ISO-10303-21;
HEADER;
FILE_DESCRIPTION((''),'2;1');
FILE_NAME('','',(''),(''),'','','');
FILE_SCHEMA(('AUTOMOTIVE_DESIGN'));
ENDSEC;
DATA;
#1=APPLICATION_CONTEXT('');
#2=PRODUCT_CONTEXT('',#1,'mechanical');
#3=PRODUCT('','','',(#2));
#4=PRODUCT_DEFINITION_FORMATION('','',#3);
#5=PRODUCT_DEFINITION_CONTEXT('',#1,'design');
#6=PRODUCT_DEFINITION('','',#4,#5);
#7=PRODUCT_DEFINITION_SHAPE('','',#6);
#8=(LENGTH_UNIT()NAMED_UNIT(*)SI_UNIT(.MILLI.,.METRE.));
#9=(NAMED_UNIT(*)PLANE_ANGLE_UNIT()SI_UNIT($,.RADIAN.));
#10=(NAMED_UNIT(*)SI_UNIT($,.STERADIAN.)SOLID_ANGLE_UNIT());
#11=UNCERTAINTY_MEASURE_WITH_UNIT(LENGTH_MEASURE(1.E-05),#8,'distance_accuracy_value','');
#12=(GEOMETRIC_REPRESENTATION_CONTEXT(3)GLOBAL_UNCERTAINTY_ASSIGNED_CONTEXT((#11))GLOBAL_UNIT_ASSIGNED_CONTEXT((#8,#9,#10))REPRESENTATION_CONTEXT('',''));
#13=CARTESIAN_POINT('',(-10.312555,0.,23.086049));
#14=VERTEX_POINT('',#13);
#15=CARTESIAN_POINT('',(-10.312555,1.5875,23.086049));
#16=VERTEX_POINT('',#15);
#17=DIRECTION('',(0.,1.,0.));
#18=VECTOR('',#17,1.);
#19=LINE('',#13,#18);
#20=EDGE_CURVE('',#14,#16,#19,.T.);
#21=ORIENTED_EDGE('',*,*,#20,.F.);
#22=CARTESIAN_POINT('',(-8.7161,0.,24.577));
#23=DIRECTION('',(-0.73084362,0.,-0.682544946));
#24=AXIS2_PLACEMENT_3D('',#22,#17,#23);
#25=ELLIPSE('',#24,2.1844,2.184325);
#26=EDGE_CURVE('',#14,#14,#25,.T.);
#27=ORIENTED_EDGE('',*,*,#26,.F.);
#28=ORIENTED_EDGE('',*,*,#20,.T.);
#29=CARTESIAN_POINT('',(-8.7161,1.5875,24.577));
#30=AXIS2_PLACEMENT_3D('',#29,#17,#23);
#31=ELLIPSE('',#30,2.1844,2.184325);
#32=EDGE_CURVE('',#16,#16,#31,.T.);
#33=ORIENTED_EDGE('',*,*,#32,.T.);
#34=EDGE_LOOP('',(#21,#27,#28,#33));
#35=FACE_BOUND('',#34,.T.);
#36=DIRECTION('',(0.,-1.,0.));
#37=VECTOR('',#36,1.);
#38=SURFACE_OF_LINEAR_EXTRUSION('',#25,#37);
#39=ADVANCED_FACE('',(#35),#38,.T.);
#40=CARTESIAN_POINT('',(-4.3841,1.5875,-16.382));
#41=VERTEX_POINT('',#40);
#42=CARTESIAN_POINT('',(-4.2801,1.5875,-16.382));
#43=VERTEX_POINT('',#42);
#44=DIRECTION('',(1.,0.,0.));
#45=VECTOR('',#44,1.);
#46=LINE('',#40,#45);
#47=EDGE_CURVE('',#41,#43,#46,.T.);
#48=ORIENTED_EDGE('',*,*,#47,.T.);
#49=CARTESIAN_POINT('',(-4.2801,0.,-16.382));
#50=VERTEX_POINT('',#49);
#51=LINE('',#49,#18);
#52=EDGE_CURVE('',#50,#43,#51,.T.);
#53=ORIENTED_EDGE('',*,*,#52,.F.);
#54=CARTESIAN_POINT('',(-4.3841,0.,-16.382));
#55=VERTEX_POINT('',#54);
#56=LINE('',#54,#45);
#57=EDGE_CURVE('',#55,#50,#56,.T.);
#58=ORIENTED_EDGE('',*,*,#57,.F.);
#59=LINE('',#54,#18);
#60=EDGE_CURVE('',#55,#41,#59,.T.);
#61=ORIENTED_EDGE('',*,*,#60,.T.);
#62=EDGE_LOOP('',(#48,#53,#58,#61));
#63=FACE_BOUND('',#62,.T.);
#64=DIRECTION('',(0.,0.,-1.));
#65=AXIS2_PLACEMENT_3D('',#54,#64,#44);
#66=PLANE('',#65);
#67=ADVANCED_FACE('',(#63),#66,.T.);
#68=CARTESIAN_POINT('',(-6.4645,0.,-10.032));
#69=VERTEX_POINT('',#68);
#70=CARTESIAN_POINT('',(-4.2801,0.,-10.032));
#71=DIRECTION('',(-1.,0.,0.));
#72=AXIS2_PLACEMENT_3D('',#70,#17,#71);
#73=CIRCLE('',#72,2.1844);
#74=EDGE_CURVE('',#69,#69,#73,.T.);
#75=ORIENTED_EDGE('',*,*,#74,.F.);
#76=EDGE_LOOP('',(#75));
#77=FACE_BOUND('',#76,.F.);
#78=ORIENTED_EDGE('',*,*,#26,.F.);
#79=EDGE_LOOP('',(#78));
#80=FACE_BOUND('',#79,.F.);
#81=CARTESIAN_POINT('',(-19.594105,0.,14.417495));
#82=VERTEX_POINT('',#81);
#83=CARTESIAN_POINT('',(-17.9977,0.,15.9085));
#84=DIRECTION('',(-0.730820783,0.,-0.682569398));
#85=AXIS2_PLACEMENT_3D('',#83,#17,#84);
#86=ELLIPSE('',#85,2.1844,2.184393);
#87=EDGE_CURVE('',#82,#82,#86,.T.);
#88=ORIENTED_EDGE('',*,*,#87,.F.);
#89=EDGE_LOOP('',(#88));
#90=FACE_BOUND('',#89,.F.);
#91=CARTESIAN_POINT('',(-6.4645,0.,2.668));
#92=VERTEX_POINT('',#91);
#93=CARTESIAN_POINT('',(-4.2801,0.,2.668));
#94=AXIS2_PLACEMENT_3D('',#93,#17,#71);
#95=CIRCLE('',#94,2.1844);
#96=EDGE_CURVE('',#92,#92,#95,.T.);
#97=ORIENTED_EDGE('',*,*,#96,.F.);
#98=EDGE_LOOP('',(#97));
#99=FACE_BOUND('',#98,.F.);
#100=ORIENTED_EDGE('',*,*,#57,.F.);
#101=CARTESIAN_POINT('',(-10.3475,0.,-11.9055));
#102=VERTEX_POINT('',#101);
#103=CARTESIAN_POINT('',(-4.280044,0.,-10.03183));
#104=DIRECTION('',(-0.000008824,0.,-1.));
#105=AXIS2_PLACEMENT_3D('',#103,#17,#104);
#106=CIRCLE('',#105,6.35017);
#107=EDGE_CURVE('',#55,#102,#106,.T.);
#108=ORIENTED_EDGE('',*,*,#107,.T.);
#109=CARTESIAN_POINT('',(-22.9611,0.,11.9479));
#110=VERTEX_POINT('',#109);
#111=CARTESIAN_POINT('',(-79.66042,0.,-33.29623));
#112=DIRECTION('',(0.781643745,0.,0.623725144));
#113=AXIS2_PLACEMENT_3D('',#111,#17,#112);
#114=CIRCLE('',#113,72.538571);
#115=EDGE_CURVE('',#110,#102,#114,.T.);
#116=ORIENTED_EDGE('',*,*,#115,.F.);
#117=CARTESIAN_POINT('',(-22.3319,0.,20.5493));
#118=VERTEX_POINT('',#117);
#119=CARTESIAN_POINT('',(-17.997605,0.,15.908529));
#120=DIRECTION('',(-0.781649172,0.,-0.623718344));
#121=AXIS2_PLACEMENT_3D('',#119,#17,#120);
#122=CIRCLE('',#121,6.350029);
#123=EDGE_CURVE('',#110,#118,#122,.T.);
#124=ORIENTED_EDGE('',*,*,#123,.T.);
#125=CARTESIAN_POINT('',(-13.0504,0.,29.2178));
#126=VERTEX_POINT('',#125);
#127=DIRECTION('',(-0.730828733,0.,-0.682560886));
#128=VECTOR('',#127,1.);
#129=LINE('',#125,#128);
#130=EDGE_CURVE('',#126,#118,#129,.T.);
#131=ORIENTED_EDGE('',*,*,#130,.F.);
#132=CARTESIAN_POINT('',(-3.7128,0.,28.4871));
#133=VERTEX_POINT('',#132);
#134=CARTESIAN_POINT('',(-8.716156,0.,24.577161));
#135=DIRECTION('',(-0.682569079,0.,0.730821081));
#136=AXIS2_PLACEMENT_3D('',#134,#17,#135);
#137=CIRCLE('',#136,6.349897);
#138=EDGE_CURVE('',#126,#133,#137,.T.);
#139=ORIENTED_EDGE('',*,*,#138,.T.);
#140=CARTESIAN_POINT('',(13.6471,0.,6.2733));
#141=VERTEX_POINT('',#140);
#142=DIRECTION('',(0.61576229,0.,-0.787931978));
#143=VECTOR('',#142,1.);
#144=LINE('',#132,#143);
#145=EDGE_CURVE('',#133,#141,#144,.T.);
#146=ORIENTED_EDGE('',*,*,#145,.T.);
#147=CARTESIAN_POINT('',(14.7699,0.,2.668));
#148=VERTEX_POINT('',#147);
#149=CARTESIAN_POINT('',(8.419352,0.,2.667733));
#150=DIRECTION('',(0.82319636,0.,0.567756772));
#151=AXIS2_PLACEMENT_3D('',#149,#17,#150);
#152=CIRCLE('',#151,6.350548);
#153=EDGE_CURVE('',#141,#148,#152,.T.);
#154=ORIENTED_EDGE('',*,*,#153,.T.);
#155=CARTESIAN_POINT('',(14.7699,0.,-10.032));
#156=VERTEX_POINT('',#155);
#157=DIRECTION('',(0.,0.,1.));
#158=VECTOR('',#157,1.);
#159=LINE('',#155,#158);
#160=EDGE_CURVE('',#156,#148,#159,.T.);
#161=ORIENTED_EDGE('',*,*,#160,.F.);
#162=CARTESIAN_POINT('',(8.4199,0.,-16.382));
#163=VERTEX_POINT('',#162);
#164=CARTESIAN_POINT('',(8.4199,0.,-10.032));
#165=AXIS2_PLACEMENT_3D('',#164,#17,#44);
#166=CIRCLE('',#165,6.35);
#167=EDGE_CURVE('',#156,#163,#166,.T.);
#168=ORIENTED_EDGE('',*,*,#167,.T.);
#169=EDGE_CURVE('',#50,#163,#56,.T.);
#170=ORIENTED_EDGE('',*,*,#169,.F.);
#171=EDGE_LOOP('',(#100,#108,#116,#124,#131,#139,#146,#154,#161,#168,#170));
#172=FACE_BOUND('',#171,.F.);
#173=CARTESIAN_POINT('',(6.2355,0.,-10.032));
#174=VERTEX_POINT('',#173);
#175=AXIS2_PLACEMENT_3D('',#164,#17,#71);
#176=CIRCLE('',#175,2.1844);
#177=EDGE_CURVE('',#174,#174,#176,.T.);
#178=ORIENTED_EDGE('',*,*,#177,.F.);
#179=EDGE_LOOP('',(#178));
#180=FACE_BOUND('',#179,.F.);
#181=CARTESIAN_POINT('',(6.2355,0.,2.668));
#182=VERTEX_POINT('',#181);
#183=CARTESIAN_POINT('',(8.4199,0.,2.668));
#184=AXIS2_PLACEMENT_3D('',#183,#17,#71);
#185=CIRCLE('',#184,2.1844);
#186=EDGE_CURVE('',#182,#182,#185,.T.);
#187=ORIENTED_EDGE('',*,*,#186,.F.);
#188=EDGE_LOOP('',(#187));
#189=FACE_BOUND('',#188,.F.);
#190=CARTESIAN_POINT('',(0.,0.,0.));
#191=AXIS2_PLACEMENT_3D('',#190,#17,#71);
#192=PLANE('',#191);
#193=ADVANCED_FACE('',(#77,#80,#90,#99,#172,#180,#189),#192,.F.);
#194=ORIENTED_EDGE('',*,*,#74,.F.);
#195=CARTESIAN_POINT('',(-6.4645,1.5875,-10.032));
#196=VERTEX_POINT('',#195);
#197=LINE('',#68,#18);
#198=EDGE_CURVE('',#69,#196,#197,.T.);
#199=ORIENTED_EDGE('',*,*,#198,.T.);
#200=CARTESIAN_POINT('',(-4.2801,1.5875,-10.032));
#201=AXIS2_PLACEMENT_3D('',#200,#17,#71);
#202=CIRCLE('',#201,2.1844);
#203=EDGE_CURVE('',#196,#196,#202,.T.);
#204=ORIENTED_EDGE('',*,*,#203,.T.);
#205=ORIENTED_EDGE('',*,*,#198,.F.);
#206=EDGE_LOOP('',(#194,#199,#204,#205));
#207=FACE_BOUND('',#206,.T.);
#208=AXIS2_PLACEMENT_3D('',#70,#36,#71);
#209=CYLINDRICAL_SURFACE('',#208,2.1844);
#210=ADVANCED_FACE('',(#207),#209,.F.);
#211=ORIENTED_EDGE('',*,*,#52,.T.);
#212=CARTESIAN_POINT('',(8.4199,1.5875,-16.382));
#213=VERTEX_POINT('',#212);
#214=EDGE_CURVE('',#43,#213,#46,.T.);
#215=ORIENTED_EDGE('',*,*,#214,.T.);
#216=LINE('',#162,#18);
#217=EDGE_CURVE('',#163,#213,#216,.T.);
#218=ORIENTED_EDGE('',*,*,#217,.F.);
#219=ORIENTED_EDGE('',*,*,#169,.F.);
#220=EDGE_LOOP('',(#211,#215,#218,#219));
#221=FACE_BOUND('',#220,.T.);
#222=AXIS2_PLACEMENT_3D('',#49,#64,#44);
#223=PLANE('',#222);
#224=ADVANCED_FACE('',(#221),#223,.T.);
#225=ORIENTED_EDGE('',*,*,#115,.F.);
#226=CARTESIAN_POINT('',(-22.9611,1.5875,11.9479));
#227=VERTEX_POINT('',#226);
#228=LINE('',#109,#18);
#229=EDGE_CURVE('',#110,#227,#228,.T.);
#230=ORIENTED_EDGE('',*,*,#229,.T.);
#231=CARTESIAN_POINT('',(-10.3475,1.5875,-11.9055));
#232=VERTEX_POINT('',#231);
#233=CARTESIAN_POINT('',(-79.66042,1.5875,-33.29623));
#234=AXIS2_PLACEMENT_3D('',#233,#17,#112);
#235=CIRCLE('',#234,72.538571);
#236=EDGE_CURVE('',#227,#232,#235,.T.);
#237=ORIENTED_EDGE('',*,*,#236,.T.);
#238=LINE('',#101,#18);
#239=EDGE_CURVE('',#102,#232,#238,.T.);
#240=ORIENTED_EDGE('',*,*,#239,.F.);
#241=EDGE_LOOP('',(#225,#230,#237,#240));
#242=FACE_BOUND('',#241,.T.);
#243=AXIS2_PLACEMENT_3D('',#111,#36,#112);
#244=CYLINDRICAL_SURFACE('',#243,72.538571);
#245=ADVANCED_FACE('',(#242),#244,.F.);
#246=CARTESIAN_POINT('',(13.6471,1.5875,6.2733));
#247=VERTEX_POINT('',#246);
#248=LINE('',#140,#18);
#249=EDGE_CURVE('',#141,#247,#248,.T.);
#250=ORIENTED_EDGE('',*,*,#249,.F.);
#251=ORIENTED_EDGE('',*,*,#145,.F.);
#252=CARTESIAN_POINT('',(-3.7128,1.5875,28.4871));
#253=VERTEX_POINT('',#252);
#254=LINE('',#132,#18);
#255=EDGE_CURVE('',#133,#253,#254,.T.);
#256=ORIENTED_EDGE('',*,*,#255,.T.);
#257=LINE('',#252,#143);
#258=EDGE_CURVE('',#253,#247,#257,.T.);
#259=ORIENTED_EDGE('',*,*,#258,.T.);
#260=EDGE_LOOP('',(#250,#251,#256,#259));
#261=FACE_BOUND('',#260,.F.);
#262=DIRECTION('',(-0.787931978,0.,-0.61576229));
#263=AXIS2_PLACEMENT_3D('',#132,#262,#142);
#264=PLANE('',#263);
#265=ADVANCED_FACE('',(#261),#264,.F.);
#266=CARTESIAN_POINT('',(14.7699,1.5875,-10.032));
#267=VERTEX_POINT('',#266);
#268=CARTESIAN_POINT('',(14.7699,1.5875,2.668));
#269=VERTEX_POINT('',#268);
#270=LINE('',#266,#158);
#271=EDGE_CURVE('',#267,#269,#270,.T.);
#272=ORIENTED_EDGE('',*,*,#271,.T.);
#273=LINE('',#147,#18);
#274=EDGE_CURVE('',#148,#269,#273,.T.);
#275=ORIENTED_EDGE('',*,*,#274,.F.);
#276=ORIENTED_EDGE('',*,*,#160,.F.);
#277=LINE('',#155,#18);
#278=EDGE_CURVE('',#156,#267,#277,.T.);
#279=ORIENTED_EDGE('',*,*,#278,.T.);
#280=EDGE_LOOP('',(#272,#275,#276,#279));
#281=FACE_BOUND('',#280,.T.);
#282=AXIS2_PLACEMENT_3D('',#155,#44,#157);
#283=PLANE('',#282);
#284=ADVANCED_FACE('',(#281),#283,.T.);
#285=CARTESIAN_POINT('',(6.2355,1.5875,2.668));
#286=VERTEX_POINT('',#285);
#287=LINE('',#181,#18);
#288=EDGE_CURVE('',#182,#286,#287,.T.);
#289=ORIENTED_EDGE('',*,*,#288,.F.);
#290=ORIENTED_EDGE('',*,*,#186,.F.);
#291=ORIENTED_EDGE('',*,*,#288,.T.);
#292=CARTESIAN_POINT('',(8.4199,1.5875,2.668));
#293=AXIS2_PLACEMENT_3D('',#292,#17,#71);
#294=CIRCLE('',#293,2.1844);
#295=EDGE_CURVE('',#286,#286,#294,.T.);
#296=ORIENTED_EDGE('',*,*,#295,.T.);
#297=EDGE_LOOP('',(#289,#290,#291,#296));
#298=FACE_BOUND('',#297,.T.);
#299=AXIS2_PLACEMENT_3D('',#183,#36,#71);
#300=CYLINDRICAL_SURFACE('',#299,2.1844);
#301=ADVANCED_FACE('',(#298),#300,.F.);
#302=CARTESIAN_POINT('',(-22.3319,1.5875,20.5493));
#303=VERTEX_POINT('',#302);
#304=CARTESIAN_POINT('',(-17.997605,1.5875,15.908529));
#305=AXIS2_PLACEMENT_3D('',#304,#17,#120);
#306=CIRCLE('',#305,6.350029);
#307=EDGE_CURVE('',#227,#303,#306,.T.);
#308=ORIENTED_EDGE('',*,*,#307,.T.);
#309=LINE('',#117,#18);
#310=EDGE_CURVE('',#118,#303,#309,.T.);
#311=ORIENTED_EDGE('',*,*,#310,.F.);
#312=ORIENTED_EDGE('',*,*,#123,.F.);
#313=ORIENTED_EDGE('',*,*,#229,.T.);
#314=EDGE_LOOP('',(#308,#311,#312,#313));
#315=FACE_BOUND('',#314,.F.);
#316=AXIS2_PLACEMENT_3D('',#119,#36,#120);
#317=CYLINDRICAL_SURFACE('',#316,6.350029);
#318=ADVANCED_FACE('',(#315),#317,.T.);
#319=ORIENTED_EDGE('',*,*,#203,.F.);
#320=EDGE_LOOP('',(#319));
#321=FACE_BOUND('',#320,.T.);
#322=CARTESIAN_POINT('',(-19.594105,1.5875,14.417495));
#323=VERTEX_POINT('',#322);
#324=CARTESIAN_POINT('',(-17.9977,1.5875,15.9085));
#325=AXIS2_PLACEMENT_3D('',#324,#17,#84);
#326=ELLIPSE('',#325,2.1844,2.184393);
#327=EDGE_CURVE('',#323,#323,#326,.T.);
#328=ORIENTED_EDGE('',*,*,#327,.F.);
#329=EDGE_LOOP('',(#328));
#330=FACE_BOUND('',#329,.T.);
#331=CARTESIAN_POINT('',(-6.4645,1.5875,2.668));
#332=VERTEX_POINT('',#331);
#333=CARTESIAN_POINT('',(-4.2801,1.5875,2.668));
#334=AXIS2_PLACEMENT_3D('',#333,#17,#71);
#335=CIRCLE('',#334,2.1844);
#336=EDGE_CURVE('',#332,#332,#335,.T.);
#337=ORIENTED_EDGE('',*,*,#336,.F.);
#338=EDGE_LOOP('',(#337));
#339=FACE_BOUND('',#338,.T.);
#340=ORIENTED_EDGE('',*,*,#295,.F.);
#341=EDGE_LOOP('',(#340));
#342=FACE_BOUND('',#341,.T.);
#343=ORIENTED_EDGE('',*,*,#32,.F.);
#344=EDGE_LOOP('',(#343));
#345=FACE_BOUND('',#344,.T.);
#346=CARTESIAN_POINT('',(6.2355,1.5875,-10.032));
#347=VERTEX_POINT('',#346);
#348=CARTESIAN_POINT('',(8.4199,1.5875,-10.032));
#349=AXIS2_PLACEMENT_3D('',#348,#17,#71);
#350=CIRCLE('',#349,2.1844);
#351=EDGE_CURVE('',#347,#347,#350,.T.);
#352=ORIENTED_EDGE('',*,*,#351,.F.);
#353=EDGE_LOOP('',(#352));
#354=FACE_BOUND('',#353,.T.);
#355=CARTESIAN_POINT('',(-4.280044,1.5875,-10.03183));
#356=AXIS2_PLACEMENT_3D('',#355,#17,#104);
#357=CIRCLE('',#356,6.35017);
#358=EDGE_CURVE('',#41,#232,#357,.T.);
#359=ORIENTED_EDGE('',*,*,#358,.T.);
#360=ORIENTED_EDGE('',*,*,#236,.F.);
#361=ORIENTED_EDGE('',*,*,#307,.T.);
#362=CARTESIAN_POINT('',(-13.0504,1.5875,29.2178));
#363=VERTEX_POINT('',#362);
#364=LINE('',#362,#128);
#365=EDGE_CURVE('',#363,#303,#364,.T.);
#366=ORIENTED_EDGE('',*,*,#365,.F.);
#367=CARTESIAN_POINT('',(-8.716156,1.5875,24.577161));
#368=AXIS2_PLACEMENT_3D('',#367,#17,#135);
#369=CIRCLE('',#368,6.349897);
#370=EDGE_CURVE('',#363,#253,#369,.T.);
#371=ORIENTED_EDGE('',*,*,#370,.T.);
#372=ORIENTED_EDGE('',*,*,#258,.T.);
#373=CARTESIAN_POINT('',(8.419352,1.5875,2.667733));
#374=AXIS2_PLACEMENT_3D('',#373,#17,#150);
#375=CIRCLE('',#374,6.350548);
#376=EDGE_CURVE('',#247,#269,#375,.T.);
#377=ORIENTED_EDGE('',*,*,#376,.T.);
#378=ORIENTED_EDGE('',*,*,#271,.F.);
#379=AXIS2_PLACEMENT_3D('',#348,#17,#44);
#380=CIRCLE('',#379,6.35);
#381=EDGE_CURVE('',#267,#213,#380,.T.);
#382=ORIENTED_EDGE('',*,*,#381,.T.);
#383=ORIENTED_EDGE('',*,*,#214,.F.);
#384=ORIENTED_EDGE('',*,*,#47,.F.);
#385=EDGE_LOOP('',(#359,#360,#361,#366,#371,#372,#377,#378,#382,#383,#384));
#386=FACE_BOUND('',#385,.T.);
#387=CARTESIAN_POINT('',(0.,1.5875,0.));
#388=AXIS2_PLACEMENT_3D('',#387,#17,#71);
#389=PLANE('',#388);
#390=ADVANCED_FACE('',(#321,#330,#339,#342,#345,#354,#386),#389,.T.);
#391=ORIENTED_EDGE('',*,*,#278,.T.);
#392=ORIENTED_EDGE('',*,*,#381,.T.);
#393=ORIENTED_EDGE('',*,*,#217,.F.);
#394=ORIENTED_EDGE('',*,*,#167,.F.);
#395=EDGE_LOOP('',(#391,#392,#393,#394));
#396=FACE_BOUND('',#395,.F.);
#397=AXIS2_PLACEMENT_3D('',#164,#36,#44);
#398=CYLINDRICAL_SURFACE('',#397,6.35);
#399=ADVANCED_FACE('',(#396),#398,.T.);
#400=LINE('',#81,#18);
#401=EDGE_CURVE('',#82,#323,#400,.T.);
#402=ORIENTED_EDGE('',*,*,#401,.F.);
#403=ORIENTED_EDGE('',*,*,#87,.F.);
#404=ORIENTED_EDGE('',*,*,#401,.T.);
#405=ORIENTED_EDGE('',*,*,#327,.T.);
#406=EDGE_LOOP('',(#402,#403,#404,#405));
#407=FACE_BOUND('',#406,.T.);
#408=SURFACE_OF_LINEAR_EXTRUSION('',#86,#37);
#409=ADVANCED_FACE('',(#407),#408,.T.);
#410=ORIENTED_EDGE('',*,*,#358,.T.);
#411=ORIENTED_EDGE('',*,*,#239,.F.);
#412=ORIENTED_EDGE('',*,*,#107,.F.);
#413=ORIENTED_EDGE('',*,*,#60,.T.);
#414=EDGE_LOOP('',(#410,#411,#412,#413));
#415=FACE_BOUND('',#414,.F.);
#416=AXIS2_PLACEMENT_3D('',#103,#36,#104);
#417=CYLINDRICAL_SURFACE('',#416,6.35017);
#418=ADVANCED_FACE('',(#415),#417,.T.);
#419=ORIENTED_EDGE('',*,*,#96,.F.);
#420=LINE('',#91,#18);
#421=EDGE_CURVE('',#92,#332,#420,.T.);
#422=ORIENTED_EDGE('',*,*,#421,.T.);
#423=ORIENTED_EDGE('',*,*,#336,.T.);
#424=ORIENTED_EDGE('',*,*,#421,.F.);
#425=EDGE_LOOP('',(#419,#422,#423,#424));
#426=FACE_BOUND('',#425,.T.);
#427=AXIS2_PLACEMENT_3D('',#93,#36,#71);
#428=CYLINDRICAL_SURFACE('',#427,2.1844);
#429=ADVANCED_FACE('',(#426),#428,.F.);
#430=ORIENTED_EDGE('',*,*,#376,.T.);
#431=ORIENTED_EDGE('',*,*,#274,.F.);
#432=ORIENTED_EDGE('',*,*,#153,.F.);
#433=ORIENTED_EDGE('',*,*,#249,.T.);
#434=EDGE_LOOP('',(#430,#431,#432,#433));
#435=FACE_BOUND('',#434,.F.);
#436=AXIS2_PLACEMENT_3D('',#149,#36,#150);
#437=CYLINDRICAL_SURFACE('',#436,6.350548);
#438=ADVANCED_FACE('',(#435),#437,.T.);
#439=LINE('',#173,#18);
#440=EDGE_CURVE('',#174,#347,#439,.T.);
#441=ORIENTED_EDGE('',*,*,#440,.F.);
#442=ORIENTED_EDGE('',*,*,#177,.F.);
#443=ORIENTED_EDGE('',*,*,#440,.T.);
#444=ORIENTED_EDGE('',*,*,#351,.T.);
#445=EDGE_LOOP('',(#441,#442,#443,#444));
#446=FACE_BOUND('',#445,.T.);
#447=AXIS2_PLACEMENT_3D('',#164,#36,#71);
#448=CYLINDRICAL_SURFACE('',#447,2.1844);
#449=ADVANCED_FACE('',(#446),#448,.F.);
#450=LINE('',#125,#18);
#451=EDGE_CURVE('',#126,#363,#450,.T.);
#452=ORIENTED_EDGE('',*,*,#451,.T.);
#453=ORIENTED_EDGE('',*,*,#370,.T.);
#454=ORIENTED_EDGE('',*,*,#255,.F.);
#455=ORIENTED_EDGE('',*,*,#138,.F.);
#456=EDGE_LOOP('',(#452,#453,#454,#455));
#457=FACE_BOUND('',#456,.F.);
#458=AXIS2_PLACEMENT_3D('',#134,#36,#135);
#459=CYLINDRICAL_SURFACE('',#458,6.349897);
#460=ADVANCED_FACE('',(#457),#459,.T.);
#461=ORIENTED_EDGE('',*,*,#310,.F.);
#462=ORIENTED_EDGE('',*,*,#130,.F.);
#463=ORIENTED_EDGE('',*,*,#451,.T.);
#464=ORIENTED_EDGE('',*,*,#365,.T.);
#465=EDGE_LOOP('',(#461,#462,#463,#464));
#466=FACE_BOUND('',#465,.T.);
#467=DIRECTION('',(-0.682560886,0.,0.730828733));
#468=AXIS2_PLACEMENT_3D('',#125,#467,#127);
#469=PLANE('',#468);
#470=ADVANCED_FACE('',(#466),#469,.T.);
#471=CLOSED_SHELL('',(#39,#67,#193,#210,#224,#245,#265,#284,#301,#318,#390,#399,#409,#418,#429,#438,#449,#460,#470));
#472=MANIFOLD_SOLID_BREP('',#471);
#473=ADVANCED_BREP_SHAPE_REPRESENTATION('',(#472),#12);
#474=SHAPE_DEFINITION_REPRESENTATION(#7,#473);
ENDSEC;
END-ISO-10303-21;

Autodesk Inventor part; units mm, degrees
ref_plane "YZ Plane" through (0, 0, 0) normal (1, 0, 0) x (0, 1, 0)
ref_plane "XZ Plane" through (0, 0, 0) normal (0, 1, 0) x (-1, 0, 0)
ref_plane "XY Plane" through (0, 0, 0) normal (0, 0, 1) x (1, 0, 0)
sketch "Sketch1" plane through (0, 0, 0) normal (0, 1, 0) x (-1, 0, 0)
  ellipse E0 centre (17.9977, 15.9085) end of major axis (16.5067, 14.3121) minor radius 2.1844
  ellipse E1 centre (8.7161, 24.577) end of major axis (7.2252, 22.9806) minor radius 2.1844
  circle A0 centre (4.2801, 2.668) radius 2.1844
  circle A1 centre (4.2801, -10.032) radius 2.1844
  circle A2 centre (-8.4199, -10.032) radius 2.1844
  circle A3 centre (-8.4199, 2.668) radius 2.1844
  line L0 (13.0504, 29.2178) -> (22.3319, 20.5493)
  line L1 (4.3841, -16.382) -> (-8.4199, -16.382)
  line L2 (-14.7699, -10.032) -> (-14.7699, 2.668)
  line L3 (3.7128, 28.4871) -> (-13.6471, 6.2733)
  arc A4 (13.0504, 29.2178) -> (3.7128, 28.4871) centre (8.7161, 24.577) ccw
  arc A5 (22.9611, 11.9479) -> (10.3475, -11.9055) centre (79.6619, -33.2972) ccw
  arc A6 (-13.6471, 6.2733) -> (-14.7699, 2.668) centre (-8.4199, 2.668) ccw
  arc A7 (-14.7699, -10.032) -> (-8.4199, -16.382) centre (-8.4199, -10.032) ccw
  arc A8 (4.2801, -16.382) -> (10.3475, -11.9055) centre (4.2801, -10.032) ccw
  arc A9 (22.9611, 11.9479) -> (22.3319, 20.5493) centre (17.9977, 15.9085) ccw
  point P0 (0, 0)
  point P1 (4.8499, 3.3164)
extrude "Extrusion1" add sketch "Sketch1" along normal blind 1.5875
properties part number "lbMountOutside"
